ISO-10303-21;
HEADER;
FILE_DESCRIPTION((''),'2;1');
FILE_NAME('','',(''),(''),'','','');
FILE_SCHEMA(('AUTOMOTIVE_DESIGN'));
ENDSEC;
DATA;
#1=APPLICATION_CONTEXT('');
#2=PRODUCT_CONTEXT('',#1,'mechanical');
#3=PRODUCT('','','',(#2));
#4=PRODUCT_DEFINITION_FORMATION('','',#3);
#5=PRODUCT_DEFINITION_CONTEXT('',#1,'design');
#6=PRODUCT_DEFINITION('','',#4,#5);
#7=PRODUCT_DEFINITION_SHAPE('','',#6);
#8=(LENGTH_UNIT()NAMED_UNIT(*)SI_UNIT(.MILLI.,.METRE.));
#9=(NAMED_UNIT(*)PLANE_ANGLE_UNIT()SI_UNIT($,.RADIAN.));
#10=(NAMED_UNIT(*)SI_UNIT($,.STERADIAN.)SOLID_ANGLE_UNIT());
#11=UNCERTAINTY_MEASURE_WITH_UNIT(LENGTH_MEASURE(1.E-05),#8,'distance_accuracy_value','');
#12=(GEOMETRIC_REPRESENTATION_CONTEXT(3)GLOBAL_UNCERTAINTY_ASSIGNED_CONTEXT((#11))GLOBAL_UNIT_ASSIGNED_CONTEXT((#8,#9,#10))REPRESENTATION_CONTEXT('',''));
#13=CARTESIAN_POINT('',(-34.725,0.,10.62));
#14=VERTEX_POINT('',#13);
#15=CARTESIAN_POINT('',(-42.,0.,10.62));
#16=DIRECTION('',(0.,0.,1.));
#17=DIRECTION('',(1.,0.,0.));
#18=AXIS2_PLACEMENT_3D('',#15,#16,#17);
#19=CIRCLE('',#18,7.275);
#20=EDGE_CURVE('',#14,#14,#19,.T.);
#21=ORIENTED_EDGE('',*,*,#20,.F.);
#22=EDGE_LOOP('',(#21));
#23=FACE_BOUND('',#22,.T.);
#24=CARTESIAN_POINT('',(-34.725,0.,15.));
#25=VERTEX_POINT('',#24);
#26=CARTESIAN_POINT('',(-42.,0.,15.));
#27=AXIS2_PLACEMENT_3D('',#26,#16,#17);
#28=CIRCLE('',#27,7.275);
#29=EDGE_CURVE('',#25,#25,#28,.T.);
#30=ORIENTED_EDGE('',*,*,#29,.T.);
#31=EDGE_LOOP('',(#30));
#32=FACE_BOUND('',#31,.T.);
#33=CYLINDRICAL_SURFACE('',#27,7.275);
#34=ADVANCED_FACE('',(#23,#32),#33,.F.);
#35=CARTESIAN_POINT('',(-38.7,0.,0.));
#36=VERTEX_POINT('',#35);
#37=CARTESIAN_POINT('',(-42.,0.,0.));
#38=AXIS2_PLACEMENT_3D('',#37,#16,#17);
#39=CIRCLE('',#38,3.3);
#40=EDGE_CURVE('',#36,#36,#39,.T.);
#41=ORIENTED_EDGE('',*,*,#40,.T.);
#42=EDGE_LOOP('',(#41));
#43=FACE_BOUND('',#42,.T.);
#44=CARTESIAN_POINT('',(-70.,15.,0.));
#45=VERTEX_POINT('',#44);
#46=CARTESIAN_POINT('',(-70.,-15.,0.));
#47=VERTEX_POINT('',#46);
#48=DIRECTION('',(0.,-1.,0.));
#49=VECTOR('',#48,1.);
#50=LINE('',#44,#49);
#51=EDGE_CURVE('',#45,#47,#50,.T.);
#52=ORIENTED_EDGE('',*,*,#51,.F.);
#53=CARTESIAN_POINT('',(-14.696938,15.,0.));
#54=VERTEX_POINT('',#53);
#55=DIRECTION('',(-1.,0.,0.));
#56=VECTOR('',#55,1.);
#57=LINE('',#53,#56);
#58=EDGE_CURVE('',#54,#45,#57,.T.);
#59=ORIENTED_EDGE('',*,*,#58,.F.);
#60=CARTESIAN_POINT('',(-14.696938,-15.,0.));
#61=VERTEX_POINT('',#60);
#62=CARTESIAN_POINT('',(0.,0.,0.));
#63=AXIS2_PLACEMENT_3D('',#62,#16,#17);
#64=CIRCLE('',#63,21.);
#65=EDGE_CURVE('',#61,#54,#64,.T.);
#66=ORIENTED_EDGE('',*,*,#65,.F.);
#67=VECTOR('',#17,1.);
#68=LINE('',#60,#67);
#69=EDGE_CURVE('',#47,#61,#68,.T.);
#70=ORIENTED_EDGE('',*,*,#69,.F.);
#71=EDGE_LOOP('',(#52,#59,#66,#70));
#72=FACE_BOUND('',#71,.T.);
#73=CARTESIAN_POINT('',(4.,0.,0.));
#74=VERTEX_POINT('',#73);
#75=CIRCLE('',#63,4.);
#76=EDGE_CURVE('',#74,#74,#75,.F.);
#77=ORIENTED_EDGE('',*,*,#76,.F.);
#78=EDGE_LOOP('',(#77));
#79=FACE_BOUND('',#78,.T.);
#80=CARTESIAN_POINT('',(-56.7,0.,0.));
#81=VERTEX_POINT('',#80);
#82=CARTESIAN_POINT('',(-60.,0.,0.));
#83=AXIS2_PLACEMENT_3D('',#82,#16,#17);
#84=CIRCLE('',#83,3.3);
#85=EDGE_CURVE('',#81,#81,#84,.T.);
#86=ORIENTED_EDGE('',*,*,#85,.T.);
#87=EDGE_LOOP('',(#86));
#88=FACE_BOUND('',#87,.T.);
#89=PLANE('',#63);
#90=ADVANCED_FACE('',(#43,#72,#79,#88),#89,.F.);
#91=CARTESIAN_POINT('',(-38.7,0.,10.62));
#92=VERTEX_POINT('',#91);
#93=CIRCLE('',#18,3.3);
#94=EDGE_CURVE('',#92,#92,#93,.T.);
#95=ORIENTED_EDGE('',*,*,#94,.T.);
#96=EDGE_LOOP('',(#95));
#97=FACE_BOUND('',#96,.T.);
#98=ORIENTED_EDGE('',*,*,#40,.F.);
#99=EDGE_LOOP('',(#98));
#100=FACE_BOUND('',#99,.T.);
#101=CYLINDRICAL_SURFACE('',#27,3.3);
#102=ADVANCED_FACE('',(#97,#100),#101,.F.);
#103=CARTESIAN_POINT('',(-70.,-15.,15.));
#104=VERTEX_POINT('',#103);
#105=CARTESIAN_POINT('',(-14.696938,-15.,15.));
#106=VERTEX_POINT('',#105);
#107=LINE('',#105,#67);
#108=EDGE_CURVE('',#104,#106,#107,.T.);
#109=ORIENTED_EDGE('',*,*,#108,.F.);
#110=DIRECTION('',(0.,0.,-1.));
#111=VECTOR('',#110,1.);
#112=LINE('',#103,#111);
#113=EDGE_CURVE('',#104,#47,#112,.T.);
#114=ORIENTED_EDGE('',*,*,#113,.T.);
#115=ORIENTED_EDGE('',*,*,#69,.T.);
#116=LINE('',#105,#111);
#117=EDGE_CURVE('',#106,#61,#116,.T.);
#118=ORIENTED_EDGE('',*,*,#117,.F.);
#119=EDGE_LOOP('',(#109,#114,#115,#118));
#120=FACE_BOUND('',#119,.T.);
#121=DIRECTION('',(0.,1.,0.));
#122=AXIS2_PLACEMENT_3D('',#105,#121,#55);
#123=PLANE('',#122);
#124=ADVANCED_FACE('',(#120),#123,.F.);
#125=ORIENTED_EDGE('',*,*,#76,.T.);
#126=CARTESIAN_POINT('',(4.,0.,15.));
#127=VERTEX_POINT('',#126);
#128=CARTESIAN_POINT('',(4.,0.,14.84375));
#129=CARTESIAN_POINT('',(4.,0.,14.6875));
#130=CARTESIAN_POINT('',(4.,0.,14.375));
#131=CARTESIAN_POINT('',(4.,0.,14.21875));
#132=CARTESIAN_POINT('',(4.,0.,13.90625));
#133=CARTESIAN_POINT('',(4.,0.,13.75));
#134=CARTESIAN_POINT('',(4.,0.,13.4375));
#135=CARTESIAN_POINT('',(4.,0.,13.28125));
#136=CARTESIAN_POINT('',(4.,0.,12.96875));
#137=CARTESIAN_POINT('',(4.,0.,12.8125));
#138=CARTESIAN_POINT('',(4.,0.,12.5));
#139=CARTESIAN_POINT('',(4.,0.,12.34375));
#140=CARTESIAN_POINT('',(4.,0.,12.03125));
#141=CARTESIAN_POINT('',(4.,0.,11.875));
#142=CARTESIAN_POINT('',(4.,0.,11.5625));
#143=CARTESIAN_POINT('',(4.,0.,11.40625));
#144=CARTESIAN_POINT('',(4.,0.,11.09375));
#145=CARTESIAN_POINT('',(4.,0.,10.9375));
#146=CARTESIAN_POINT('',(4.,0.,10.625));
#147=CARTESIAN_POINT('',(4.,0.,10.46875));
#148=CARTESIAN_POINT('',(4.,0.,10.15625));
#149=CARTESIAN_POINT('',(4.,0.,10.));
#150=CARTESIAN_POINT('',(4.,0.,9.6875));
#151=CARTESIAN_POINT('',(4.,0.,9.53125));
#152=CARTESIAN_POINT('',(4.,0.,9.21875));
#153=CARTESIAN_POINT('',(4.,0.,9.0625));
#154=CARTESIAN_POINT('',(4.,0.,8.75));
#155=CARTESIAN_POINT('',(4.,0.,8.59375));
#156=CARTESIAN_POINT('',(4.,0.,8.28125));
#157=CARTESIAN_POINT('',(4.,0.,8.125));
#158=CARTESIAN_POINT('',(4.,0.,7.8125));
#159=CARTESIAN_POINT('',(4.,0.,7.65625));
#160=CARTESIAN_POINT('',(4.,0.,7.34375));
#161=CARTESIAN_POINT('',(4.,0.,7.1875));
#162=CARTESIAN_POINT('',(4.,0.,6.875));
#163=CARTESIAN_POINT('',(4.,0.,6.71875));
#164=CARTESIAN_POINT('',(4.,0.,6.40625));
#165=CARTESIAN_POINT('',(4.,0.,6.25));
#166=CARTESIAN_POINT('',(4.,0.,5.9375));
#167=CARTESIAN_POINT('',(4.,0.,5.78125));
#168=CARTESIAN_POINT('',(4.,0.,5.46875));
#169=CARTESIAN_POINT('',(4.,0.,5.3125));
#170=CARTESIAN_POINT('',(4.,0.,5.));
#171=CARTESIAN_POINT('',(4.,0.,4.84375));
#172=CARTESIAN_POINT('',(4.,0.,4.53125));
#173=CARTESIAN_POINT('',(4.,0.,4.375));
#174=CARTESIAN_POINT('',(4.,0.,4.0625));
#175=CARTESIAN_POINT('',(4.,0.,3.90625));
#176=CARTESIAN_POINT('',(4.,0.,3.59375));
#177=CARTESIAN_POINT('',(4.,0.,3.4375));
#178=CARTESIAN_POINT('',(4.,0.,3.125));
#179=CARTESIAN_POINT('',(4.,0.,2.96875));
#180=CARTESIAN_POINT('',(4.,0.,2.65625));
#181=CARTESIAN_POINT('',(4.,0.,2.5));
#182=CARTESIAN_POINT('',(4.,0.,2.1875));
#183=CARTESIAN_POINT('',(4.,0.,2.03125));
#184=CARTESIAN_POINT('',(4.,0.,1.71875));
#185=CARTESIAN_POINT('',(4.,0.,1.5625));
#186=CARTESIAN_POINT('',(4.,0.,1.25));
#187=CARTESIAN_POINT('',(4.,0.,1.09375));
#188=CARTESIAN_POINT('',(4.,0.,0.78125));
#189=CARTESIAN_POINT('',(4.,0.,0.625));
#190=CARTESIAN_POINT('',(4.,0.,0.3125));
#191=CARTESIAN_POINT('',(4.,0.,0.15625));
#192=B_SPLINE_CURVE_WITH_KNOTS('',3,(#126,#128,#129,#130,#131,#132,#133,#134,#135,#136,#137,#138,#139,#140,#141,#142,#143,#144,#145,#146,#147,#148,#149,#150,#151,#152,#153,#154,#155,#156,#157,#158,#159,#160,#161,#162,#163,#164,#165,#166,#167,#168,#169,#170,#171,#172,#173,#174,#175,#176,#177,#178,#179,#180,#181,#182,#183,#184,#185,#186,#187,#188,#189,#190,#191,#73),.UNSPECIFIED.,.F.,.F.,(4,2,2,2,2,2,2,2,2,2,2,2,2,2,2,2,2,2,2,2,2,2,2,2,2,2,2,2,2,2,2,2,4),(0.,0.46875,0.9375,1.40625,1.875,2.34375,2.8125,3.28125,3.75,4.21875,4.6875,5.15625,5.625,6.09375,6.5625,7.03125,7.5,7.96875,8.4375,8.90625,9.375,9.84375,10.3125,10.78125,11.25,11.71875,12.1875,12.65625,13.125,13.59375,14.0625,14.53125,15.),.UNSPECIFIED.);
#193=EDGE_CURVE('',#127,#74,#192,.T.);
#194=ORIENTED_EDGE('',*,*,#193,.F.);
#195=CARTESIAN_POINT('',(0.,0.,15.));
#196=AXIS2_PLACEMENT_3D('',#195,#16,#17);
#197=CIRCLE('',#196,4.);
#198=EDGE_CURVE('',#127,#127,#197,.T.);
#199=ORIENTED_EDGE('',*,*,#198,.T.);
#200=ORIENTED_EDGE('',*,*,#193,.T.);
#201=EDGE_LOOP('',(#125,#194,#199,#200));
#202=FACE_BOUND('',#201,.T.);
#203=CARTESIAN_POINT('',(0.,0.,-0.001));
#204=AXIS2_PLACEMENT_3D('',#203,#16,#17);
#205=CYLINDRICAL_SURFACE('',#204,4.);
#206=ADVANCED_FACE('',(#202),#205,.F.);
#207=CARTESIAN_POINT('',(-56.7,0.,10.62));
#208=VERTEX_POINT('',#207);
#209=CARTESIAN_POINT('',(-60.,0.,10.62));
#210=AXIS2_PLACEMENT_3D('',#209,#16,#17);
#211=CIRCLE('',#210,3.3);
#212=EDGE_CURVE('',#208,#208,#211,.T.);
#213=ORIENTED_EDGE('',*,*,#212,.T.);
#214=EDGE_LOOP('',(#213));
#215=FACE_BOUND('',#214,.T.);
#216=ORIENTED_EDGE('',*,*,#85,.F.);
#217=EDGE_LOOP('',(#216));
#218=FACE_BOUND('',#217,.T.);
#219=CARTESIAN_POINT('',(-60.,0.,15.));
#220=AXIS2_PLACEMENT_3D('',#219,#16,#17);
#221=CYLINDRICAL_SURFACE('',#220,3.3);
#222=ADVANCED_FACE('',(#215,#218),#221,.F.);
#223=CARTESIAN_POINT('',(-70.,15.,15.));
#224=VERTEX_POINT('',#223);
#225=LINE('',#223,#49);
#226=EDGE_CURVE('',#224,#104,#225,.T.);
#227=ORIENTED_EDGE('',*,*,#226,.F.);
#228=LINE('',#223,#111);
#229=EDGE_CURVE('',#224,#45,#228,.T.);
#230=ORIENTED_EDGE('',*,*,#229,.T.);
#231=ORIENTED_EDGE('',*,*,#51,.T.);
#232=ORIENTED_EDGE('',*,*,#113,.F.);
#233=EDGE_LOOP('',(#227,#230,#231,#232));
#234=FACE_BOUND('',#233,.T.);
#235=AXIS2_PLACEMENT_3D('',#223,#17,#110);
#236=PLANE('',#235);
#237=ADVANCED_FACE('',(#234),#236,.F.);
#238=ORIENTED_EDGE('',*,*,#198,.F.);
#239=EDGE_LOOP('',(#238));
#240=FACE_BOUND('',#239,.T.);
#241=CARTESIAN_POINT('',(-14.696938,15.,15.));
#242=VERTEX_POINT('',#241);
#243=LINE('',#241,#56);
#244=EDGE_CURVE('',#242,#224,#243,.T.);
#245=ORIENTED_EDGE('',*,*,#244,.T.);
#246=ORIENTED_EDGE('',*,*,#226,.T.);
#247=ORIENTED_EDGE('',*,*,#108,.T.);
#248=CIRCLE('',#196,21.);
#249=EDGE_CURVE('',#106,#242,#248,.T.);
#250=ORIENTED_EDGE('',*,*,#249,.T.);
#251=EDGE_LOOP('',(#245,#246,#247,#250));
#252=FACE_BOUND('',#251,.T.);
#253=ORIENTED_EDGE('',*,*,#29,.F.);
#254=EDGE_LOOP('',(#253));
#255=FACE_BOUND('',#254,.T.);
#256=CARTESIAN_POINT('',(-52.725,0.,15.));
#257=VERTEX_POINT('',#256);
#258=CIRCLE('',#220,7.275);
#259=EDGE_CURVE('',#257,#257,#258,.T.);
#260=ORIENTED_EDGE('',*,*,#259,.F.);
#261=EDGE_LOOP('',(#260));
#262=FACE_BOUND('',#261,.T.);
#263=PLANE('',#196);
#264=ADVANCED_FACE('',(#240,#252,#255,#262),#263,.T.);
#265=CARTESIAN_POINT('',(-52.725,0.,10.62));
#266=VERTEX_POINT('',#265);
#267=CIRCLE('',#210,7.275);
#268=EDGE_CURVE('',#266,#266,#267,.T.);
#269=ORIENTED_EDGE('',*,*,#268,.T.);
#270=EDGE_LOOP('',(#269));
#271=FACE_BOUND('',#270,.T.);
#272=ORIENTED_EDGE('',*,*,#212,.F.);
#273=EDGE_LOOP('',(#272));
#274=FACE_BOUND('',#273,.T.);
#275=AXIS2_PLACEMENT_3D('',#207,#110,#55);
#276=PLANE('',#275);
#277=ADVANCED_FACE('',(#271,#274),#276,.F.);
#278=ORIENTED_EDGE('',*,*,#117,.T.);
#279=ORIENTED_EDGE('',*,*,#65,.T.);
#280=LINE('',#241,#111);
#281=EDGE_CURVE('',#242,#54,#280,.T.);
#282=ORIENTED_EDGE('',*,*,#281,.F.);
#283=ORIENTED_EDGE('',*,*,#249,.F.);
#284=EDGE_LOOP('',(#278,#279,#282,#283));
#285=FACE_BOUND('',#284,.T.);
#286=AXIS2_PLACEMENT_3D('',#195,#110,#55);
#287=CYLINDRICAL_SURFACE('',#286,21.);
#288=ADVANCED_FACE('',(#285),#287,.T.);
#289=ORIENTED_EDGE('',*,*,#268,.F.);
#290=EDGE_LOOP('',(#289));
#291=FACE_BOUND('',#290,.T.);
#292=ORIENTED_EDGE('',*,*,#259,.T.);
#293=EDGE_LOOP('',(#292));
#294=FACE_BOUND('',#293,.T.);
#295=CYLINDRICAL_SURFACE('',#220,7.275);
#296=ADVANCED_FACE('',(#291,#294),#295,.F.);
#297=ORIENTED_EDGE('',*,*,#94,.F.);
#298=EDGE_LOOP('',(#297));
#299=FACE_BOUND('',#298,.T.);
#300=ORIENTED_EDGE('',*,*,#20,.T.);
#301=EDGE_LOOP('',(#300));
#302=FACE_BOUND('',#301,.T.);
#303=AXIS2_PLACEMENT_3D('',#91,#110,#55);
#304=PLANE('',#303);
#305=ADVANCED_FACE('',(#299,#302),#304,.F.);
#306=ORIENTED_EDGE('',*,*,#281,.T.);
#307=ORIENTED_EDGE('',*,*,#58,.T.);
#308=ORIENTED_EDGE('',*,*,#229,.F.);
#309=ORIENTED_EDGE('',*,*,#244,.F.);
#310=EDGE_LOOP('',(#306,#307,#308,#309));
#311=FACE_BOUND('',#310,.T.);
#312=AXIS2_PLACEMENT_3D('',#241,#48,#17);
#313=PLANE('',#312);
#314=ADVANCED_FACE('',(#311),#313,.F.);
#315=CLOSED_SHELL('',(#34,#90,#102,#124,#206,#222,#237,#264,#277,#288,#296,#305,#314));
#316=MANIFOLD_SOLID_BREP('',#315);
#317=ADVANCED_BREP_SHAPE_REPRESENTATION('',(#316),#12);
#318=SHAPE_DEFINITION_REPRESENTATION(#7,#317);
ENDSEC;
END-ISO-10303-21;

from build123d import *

# Parameters (mm, degrees)
BOSS_EXTRUDE1_DEPTH                     = 15
CBORE_FOR_M6_HEX_HEAD_BOLT1_D           = 6.6
CBORE_FOR_M6_HEX_HEAD_BOLT1_CBORE_D     = 14.55
CBORE_FOR_M6_HEX_HEAD_BOLT1_CBORE_DEPTH = 4.38
CUT_EXTRUDE1_REACH                      = 76.606
SKETCH4_R                               = 4


with BuildPart() as part:
    # Sketch1 → Boss-Extrude1 (new body)
    with BuildSketch(Plane.XY):
        with BuildLine():
            Line((-14.696938457, 15), (-70, 15))
            Line((-70, 15), (-70, -15))
            Line((-70, -15), (-14.696938457, -15))
            ThreePointArc((-14.696938457, -15), (21, 0), (-14.696938457, 15))
        make_face()
    extrude(amount=BOSS_EXTRUDE1_DEPTH)

    # CBORE for M6 Hex Head Bolt1 (through all)
    with Locations(Plane.XY.offset(15)):
        with Locations((-60, 0), (-42, 0)):
            CounterBoreHole(CBORE_FOR_M6_HEX_HEAD_BOLT1_D / 2, CBORE_FOR_M6_HEX_HEAD_BOLT1_CBORE_D / 2, CBORE_FOR_M6_HEX_HEAD_BOLT1_CBORE_DEPTH)

    # Sketch4 → Cut-Extrude1 (cut, up to next)
    with BuildSketch(Plane.XY.offset(15), mode=Mode.PRIVATE) as cut_extrude1_sk1:
        Circle(SKETCH4_R)
    cut_extrude1_tool1 = extrude(cut_extrude1_sk1.sketch, amount=-CUT_EXTRUDE1_REACH, mode=Mode.PRIVATE) & part.part
    add(cut_extrude1_tool1.solids().sort_by_distance((0, 0, 15))[0], mode=Mode.SUBTRACT)


solid = part.part
